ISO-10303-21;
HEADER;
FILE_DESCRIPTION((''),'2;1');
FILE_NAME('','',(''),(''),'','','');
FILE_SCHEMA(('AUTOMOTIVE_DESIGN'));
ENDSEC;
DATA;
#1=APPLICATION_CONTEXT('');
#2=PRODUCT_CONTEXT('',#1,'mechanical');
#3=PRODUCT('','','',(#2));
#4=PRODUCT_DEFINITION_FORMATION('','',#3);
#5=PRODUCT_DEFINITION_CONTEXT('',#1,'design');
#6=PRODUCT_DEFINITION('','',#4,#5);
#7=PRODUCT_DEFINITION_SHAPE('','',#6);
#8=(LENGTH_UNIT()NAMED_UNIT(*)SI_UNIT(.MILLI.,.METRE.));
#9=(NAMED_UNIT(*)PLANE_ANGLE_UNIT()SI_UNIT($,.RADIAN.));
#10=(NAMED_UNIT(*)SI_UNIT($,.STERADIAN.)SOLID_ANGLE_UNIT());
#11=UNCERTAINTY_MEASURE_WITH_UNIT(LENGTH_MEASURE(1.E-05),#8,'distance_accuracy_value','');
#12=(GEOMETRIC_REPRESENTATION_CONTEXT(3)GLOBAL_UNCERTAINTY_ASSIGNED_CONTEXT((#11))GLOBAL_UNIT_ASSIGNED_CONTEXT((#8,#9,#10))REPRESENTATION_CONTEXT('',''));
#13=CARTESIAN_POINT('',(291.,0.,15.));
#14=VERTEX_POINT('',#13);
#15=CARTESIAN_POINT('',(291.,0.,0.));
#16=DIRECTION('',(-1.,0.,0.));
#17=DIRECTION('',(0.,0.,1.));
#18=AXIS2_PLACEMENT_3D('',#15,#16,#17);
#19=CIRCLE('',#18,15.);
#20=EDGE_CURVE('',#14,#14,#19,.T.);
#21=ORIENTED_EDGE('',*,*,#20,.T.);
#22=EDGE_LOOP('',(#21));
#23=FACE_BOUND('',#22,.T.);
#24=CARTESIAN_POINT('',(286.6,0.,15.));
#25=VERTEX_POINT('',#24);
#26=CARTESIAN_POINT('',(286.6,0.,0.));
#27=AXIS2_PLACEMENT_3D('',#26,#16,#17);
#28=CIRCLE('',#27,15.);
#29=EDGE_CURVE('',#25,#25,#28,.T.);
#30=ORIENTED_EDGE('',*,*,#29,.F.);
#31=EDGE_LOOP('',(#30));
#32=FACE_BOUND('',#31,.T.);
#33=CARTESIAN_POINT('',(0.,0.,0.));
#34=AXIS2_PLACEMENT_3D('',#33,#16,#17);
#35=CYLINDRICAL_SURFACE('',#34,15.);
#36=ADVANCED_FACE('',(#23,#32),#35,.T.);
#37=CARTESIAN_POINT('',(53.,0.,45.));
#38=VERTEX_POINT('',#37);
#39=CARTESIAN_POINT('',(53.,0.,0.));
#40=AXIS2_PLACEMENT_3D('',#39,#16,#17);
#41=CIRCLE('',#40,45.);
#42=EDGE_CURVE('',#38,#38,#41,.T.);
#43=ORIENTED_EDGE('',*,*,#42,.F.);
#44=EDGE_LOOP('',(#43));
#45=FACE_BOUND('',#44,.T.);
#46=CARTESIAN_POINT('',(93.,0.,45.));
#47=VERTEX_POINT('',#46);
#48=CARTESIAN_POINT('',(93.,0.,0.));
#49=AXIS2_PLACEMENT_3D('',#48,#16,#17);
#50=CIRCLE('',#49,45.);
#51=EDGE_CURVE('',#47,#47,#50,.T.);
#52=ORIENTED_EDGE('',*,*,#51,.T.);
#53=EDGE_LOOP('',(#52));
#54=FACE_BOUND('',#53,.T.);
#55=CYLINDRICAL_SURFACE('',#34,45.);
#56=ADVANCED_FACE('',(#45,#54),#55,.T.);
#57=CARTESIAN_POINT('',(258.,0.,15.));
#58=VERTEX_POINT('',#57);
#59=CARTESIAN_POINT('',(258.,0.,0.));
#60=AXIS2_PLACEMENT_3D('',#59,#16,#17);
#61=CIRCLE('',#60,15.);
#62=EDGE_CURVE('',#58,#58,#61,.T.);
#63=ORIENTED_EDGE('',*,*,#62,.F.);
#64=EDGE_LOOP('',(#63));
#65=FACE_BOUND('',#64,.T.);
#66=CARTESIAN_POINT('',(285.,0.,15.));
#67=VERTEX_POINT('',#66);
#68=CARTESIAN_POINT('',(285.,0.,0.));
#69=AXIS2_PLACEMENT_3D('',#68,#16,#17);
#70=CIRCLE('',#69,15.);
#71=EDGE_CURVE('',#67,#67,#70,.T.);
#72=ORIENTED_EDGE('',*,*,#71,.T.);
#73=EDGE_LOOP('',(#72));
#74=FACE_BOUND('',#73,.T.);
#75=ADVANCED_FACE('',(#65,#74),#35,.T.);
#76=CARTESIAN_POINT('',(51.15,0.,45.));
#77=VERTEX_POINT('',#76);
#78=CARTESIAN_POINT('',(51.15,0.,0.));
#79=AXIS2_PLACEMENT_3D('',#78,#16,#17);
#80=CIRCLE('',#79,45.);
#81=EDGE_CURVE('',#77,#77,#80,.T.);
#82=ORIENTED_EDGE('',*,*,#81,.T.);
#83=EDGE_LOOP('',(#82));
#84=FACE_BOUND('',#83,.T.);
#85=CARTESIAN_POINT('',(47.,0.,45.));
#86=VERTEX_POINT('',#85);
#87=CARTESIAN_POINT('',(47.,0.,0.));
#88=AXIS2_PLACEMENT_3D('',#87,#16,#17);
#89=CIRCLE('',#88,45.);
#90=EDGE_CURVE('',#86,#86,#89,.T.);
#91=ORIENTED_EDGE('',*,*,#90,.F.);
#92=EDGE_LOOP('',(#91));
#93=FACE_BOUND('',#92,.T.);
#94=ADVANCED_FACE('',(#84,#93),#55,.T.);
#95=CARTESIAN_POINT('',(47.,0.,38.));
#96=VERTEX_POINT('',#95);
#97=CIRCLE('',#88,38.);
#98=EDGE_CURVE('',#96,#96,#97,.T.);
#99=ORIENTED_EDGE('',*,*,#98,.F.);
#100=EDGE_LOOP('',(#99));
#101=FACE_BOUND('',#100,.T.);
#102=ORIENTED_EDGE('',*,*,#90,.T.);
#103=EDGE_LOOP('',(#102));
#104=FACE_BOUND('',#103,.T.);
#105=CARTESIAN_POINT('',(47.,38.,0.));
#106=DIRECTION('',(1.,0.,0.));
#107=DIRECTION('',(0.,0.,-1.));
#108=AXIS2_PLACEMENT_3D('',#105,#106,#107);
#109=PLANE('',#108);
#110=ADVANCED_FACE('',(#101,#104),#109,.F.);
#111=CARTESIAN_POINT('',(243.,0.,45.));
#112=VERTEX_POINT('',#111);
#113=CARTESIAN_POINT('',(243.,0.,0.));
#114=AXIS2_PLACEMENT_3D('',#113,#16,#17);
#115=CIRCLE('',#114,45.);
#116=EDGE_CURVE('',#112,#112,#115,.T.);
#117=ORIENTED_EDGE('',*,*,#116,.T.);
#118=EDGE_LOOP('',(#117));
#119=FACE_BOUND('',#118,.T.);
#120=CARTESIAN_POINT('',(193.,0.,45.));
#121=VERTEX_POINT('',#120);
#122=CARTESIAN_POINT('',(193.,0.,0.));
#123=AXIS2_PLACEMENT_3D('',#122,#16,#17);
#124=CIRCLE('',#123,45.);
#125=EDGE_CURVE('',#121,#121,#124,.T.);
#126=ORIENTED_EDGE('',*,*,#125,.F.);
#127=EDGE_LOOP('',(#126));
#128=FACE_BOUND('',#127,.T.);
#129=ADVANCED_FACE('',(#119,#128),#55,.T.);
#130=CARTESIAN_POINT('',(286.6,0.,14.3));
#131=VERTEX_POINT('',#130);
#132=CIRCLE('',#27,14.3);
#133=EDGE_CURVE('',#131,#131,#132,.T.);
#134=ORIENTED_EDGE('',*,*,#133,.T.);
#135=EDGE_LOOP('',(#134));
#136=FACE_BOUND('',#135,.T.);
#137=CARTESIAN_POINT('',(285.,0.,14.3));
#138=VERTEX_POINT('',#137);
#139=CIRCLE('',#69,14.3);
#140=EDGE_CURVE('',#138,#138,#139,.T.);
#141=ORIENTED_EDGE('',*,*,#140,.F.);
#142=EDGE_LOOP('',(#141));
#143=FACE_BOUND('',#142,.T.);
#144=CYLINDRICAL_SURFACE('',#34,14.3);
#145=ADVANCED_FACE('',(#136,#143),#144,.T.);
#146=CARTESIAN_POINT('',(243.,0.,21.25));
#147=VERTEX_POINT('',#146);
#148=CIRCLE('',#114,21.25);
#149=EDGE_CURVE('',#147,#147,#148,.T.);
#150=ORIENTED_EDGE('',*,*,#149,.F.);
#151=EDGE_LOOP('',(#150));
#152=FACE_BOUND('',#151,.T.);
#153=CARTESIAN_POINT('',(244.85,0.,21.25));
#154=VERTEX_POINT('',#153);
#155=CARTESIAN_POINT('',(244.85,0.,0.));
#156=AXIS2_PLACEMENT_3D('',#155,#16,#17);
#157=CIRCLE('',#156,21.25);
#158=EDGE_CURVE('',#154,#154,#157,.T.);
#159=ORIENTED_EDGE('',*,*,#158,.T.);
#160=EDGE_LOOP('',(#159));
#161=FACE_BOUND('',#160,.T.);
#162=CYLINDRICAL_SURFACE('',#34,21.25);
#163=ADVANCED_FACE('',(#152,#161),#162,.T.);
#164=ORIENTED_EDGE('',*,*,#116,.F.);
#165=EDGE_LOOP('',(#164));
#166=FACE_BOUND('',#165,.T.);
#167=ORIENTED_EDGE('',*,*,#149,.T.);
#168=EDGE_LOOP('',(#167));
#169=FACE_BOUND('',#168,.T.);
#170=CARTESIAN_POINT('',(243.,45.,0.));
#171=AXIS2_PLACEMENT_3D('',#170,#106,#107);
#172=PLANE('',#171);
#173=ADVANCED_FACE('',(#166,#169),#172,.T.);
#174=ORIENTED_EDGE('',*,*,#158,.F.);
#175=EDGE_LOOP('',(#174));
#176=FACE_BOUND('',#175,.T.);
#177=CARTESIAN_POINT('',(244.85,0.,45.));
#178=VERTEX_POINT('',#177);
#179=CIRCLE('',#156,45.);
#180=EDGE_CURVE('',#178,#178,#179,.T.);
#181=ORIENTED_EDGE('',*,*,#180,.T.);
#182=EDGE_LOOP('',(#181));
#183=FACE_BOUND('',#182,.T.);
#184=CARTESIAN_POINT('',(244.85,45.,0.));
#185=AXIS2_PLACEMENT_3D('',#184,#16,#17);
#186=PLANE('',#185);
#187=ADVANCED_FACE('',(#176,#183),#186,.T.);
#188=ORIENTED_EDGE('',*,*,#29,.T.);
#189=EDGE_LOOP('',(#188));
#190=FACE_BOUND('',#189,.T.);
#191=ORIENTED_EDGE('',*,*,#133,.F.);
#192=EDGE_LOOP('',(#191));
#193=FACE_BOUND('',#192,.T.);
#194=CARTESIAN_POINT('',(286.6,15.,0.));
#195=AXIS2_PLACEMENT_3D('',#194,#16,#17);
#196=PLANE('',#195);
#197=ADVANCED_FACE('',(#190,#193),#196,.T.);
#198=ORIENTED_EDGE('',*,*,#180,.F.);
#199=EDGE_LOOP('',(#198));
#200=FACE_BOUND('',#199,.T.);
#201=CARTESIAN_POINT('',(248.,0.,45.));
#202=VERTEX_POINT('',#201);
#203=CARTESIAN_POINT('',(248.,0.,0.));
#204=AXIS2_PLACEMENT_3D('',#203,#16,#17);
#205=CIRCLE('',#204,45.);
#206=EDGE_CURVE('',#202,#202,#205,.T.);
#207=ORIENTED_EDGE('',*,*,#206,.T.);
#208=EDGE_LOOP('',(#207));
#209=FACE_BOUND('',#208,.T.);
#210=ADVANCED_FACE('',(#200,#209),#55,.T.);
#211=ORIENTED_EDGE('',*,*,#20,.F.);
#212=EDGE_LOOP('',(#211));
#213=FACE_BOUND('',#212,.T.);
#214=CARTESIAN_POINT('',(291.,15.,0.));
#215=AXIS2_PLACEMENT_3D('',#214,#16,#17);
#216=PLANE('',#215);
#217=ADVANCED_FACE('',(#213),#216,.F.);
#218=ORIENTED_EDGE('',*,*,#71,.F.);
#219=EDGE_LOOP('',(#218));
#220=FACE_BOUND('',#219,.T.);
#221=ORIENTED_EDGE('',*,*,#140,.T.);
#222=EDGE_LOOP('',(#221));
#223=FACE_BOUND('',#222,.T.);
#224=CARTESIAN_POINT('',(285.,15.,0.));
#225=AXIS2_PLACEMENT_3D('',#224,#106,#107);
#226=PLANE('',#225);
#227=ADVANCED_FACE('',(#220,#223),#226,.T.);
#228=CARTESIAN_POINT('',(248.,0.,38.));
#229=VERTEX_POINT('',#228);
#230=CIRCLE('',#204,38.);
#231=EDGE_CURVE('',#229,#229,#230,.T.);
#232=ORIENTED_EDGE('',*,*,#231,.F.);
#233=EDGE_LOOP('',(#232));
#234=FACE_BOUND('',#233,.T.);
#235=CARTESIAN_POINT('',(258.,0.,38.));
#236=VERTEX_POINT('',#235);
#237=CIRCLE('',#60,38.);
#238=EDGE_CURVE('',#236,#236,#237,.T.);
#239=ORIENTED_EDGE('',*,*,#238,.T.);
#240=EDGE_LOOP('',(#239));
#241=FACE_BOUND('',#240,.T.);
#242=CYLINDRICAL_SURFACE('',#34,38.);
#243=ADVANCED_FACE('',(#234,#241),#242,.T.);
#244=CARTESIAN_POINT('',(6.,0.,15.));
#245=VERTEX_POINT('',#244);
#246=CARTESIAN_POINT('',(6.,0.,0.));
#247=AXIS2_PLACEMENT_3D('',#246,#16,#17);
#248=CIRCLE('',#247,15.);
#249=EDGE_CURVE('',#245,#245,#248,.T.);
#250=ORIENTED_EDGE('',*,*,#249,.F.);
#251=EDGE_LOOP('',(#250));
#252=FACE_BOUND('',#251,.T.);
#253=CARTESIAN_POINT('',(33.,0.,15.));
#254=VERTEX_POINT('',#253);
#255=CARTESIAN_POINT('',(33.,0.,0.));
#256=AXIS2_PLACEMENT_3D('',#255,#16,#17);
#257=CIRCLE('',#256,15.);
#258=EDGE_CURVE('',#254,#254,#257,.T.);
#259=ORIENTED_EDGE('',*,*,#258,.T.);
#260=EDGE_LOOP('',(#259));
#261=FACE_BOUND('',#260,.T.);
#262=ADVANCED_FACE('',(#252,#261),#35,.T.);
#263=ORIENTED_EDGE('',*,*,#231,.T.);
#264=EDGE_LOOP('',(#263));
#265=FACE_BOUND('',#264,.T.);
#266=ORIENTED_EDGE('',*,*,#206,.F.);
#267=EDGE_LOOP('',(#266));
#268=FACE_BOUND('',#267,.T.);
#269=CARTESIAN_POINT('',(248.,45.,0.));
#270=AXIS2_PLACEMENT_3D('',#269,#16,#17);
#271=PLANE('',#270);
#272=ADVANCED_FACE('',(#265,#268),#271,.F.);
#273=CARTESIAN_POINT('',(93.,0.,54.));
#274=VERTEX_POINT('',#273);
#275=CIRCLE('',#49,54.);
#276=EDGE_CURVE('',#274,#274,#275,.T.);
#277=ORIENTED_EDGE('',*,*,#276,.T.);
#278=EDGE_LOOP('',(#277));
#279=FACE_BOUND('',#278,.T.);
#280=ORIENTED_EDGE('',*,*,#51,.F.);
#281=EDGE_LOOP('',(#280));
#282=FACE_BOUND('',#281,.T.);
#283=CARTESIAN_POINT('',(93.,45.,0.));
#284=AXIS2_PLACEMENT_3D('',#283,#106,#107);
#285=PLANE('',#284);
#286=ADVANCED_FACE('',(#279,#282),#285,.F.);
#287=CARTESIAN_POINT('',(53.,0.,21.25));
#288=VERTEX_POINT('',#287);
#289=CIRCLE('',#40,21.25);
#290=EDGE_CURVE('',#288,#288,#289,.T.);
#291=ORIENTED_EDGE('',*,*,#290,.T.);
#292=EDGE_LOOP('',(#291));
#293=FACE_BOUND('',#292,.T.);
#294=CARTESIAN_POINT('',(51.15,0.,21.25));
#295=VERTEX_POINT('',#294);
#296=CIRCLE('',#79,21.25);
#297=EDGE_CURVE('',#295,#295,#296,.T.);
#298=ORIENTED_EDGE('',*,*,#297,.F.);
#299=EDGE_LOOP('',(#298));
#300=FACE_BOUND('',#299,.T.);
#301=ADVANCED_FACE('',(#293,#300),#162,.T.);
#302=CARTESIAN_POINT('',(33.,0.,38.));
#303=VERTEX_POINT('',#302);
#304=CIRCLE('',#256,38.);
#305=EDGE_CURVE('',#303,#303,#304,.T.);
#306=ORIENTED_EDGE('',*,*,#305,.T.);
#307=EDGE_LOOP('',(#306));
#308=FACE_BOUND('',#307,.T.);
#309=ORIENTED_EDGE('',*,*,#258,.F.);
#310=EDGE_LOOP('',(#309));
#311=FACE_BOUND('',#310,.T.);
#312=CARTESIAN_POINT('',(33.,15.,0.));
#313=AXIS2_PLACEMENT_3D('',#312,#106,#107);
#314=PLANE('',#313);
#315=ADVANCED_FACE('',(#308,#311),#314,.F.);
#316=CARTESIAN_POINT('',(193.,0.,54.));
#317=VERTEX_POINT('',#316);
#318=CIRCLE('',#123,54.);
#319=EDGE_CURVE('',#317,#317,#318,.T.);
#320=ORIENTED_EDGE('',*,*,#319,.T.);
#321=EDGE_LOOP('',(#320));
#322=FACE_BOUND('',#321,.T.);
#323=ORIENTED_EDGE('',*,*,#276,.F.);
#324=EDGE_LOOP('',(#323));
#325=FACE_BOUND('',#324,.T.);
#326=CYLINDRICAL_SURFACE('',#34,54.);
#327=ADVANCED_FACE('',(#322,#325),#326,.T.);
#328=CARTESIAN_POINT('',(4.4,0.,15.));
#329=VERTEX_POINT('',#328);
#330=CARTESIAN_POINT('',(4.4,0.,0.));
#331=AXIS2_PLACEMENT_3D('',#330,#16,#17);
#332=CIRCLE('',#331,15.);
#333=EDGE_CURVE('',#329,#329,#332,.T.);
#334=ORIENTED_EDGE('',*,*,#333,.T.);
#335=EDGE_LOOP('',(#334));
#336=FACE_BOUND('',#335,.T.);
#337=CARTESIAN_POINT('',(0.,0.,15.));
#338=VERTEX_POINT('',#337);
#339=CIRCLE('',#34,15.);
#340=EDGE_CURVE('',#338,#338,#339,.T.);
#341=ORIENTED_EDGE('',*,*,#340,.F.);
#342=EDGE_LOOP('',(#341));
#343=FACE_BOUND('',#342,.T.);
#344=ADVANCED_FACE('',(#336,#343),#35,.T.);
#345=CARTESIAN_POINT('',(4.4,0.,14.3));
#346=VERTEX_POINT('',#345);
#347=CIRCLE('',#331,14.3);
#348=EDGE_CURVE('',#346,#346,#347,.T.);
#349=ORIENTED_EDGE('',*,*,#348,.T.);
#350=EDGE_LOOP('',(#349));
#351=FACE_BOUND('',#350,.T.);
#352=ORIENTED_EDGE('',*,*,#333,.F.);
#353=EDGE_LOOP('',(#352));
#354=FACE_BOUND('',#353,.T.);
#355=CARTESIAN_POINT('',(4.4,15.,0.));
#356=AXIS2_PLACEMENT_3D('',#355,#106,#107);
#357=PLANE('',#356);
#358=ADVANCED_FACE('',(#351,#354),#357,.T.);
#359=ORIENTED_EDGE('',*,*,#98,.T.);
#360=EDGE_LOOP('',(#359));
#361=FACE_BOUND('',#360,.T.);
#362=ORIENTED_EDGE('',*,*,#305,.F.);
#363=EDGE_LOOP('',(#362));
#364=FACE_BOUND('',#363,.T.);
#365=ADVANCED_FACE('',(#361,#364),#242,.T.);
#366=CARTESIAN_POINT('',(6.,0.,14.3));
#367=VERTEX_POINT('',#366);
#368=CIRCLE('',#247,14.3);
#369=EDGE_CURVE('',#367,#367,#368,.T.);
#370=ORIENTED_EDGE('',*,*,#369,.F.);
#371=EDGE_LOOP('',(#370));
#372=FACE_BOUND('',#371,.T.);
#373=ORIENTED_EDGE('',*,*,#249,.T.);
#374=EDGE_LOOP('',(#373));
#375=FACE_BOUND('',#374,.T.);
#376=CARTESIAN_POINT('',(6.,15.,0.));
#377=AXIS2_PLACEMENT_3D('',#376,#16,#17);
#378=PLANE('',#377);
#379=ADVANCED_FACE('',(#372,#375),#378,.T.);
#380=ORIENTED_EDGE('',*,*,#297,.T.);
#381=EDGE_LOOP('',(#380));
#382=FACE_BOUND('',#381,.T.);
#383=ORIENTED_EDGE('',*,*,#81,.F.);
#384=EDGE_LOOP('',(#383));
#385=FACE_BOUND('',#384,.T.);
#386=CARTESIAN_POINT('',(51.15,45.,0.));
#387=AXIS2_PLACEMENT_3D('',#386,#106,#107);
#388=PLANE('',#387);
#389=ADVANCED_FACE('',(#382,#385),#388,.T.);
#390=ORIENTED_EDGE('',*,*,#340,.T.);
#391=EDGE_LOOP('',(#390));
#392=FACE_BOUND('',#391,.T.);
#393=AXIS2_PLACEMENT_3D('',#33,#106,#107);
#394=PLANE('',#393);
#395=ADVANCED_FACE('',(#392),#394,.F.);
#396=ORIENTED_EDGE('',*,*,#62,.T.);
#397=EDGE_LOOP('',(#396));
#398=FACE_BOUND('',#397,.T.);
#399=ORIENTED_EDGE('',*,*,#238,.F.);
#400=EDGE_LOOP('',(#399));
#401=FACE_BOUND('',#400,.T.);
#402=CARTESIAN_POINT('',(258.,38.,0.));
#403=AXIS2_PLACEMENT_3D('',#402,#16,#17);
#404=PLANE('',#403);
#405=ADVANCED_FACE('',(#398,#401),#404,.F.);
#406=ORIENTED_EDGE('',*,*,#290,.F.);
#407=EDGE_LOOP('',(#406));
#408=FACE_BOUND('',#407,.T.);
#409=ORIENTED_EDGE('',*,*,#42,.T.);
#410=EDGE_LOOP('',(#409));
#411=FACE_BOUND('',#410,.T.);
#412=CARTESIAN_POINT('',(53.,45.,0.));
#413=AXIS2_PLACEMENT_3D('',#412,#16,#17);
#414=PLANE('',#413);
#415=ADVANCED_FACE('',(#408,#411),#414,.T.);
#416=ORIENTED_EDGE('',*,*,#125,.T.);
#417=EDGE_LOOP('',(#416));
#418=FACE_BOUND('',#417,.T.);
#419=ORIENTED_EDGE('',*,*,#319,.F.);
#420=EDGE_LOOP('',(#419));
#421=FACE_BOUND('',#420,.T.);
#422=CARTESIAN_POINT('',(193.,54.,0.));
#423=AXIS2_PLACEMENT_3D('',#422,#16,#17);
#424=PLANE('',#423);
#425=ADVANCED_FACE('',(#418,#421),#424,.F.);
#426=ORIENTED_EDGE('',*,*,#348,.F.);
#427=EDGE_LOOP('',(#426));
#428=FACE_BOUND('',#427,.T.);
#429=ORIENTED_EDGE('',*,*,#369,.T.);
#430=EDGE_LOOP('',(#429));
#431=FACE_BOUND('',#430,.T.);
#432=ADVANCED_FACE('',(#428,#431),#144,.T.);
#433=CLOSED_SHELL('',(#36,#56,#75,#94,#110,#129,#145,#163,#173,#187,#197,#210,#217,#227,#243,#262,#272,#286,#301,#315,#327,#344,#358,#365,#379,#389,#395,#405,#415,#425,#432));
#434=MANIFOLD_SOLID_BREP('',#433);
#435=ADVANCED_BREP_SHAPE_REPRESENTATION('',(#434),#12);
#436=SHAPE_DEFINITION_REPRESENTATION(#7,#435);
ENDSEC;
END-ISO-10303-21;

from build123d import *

# Parameters (mm, degrees)
SCHIZZO2_W   = 1.6
SCHIZZO2_H   = 0.7
SCHIZZO2_W_2 = 1.85
SCHIZZO2_H_2 = 23.75


with BuildPart() as part:
    # Schizzo1 → Rivoluzione1 (revolve)
    with BuildSketch(Plane.XY, mode=Mode.PRIVATE) as rivoluzione1_sk:
        Polygon((0, 0), (291, 0), (291, 15), (258, 15), (258, 38), (248, 38), (248, 45), (193, 45), (193, 54), (93, 54), (93, 45), (47, 45), (47, 38), (33, 38), (33, 15), (0, 15), align=None)
    revolve(rivoluzione1_sk.sketch.rotate(Axis((0, 0, 0), (1, 0, 0)), 90), axis=Axis((0, 0, 0), (1, 0, 0)))

    # Schizzo2 → Taglia-Rivoluzione1 (revolve, cut)
    with BuildSketch(Plane.XY, mode=Mode.PRIVATE) as taglia_rivoluzione1_sk:
        with Locations((5.2, 14.65)):
            Rectangle(SCHIZZO2_W, SCHIZZO2_H)
        with Locations((52.075, 33.125)):
            Rectangle(SCHIZZO2_W_2, SCHIZZO2_H_2)
        with Locations((243.925, 33.125)):
            Rectangle(SCHIZZO2_W_2, SCHIZZO2_H_2)
        with Locations((285.8, 14.65)):
            Rectangle(SCHIZZO2_W, SCHIZZO2_H)
    revolve(taglia_rivoluzione1_sk.sketch.rotate(Axis((0, 0, 0), (1, 0, 0)), 90), axis=Axis((0, 0, 0), (1, 0, 0)), mode=Mode.SUBTRACT)


solid = part.part
